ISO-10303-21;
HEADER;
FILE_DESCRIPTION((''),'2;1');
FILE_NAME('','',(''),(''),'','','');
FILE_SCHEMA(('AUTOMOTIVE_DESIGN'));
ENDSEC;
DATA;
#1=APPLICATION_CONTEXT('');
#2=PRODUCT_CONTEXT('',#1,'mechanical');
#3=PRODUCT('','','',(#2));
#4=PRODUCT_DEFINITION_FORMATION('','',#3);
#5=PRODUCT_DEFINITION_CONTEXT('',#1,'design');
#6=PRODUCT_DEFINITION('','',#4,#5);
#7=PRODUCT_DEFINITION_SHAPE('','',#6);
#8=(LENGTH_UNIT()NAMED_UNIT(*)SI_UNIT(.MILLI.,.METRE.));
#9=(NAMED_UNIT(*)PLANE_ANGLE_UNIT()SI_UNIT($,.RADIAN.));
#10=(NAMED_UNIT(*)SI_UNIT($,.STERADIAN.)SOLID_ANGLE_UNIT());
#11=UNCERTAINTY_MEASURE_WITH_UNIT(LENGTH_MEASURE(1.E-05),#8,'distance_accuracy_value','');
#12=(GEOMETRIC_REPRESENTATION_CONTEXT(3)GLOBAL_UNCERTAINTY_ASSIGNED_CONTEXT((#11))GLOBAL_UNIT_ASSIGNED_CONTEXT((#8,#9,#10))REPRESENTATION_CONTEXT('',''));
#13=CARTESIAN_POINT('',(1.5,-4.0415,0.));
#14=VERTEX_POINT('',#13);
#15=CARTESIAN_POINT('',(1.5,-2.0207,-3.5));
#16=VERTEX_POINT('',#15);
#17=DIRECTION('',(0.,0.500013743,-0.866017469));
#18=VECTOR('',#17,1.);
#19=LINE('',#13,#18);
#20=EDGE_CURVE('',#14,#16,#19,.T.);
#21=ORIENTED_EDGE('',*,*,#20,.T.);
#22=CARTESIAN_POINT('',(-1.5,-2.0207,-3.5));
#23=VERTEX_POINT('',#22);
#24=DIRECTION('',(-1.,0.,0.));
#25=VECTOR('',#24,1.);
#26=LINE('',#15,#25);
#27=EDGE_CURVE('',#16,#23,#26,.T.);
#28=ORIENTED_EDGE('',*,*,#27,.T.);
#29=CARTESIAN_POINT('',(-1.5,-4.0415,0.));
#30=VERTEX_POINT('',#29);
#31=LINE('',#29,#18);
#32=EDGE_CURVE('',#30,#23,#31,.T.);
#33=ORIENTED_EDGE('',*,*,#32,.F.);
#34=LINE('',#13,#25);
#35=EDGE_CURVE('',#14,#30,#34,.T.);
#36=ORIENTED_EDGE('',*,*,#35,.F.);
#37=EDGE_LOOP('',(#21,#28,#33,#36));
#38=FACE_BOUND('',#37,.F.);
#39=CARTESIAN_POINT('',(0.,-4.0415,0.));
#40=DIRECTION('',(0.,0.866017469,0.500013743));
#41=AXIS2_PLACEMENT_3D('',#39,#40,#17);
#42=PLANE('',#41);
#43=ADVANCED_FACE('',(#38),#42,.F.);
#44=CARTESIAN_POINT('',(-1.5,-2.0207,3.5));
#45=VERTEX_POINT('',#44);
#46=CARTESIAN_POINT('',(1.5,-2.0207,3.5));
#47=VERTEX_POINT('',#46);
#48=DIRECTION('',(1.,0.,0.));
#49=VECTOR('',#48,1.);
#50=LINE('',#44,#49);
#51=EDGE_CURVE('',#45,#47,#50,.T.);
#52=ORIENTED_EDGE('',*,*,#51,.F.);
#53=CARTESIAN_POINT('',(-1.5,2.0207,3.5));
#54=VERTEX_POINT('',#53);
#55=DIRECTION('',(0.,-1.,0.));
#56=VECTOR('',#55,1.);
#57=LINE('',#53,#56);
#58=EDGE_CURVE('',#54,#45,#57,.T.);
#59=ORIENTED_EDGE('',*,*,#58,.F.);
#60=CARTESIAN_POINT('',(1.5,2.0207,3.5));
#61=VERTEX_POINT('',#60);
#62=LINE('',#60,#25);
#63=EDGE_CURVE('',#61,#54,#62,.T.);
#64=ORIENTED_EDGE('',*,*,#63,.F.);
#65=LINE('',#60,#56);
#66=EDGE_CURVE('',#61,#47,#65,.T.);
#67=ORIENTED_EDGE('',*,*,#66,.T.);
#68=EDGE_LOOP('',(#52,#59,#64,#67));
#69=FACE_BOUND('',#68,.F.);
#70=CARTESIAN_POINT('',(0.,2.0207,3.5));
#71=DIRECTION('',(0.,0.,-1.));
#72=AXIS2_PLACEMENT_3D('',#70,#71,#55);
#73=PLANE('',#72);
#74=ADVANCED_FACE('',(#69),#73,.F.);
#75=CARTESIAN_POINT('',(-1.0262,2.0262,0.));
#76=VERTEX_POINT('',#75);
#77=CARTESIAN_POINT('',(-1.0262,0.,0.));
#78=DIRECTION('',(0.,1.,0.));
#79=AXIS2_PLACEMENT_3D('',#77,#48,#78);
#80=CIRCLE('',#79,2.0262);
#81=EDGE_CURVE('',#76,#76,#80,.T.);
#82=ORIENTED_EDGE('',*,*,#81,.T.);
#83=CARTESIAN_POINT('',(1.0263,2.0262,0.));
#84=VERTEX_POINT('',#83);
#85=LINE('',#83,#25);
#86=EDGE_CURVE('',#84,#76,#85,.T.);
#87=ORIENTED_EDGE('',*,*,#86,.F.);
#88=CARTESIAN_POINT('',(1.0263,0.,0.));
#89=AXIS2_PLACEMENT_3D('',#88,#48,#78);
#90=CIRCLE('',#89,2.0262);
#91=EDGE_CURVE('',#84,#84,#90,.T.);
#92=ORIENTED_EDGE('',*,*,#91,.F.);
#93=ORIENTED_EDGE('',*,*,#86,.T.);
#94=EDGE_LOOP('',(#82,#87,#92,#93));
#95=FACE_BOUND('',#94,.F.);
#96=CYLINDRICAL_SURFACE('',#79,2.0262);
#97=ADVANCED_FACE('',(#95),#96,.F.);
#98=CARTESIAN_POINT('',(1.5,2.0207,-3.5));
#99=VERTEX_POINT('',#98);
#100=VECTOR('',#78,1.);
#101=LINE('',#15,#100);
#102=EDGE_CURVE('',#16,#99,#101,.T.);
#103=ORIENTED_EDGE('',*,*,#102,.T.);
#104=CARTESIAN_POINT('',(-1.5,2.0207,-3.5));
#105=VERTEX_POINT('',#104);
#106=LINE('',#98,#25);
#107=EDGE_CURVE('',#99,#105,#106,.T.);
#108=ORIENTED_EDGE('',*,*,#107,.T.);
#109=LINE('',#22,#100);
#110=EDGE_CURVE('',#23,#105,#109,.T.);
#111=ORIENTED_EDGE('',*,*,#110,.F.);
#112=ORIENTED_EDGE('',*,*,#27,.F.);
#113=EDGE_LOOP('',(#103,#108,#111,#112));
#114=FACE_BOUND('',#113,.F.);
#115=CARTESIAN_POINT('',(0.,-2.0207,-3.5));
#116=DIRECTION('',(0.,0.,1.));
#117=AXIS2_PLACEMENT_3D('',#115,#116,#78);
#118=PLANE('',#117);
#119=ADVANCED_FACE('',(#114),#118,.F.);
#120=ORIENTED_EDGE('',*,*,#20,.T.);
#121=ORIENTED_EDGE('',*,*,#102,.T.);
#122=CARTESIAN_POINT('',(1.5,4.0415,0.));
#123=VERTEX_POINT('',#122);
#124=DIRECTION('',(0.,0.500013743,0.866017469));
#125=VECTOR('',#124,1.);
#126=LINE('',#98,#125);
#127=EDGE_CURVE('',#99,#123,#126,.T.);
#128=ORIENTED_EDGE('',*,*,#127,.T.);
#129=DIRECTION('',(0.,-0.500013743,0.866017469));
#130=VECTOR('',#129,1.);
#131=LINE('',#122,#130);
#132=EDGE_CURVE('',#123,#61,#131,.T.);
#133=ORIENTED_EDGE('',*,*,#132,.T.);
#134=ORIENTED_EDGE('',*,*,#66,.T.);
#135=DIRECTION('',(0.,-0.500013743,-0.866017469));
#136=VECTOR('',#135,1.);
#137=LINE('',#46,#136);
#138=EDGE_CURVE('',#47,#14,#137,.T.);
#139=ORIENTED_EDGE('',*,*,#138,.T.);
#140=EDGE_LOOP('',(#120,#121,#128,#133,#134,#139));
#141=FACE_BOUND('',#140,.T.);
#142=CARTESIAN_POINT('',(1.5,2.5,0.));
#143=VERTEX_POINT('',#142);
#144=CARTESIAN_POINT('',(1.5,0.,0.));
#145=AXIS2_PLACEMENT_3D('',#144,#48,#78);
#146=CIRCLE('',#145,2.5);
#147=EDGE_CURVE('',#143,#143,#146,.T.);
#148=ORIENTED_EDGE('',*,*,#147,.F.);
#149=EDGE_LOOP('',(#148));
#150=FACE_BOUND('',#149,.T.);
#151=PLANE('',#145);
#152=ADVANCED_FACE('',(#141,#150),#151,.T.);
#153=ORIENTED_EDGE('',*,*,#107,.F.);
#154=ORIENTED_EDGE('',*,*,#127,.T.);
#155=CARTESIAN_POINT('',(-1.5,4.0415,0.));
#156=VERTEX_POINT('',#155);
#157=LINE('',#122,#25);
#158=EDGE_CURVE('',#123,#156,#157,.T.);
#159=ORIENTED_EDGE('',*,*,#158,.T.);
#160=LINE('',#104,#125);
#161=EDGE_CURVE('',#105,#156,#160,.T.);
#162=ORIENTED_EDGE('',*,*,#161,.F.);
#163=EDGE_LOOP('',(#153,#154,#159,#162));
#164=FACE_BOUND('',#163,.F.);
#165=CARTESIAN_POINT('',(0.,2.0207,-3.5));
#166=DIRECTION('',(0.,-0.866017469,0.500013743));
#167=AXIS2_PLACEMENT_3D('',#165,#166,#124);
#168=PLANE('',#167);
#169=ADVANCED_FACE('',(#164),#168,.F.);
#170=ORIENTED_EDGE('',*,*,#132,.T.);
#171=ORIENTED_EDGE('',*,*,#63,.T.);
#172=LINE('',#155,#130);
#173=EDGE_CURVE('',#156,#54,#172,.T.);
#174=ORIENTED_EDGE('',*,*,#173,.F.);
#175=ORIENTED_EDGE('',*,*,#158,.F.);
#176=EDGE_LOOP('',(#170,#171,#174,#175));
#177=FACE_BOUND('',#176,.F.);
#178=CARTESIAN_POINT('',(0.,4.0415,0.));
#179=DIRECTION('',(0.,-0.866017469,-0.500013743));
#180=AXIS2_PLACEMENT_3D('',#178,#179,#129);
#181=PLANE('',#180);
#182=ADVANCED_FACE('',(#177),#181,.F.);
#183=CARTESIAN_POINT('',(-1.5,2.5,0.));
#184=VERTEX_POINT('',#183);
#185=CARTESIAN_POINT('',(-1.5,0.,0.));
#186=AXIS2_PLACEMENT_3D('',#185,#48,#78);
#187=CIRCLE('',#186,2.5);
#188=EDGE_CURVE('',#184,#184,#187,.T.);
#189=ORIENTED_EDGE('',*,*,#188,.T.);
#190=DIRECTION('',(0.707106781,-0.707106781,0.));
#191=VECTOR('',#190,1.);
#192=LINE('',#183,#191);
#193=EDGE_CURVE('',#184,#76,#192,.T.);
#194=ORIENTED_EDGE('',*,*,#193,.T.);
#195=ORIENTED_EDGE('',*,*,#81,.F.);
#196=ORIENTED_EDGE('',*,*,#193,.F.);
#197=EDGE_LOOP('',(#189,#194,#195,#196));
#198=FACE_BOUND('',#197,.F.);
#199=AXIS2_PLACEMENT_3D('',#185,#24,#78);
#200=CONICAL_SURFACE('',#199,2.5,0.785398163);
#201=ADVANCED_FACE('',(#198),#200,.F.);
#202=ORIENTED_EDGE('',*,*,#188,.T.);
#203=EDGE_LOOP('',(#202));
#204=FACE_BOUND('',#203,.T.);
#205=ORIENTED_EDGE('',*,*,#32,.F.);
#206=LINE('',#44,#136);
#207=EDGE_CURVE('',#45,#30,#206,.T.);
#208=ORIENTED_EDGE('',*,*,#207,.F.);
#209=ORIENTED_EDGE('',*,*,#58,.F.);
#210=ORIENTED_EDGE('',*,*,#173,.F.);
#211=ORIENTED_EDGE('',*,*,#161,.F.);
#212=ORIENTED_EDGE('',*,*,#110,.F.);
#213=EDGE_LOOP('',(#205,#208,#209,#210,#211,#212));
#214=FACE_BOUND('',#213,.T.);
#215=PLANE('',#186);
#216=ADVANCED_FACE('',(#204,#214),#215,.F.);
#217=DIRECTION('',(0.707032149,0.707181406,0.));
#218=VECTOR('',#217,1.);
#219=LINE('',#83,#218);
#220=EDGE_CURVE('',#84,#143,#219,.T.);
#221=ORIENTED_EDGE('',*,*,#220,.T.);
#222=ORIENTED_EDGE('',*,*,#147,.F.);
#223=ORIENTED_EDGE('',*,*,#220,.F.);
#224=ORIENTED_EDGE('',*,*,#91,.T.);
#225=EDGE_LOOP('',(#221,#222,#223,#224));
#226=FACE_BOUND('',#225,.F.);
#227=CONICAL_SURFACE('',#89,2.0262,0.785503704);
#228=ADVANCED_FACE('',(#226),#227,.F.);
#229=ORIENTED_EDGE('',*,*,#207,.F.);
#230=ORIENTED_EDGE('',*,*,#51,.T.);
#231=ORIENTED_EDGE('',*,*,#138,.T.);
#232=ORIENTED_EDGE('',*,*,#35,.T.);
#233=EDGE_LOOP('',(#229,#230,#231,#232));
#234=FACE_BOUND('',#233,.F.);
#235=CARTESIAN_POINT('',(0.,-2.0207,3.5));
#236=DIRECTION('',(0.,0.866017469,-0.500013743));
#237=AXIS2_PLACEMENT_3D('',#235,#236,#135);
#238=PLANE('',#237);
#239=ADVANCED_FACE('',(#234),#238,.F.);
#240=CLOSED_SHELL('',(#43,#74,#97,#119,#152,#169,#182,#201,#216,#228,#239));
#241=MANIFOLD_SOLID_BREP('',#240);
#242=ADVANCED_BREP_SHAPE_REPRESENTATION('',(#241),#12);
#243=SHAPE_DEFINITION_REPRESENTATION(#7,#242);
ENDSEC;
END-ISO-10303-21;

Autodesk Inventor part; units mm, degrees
sketch "Sketch_5" plane through (0, 0, 0) normal (0, 0, 1) x (1, 0, 0)
  line L0 (1.5, 0) -> (-1.5, 0)
  line L1 (-1.5, 0) -> (-1.5, 4.375)
  line L2 (-1.5, 4.375) -> (-1.1031, 5.0625)
  line L3 (-1.1031, 5.0625) -> (1.1031, 5.0625)
  line L4 (1.1031, 5.0625) -> (1.5, 4.375)
  line L5 (1.5, 4.375) -> (1.5, 0)
  line L6 (1.5, 0) -> (-1.5, 0)
  dimension "d8" = 3
revolve "Revolution1" add sketch "Sketch_5" angle 360 about axis through (1.5, 0, 0) along (1, 0, 0)
sketch "Sketch_6" plane through (0, 0, 0) normal (0, 0, 1) x (1, 0, 0)
  line L0 (1.5, 0) -> (-1.5, 0)
  line L1 (-1.5, 0) -> (-1.5, 2.5)
  line L2 (-1.5, 2.5) -> (-1.0262, 2.0262)
  line L3 (-1.0262, 2.0262) -> (1.0263, 2.0262)
  line L4 (1.0263, 2.0262) -> (1.5, 2.5)
  line L5 (1.5, 2.5) -> (1.5, 0)
  line L6 (1.5, 0) -> (-1.5, 0)
  line L7 (0, 2.0262) -> (0, 0)
  line L8 (0, 0) -> (0, 9.277)
  dimension "d10" = 3
revolve "Revolution2" cut sketch "Sketch_6" angle 360 about axis through (1.5, 0, 0) along (1, 0, 0)
thread "Thread1" size "M4x0.7" class "6H" standard "ISO Metric profile" full length
sketch "Sketch_7" plane through (0, 0, 0) normal (1, 0, 0) x (0, 1, 0)
  line L0 (-7, 7) -> (-7, -7)
  line L1 (-7, -7) -> (7, -7)
  line L2 (7, -7) -> (7, 7)
  line L3 (7, 7) -> (-7, 7)
  line L4 (-2.0207, 3.5) -> (-4.0415, 0)
  line L5 (-4.0415, 0) -> (-2.0207, -3.5)
  line L6 (-2.0207, -3.5) -> (2.0207, -3.5)
  line L7 (2.0207, -3.5) -> (4.0415, 0)
  line L8 (4.0415, 0) -> (2.0207, 3.5)
  line L9 (2.0207, 3.5) -> (-2.0207, 3.5)
extrude "Extrusion1" cut sketch "Sketch_7" along normal mid plane 3
ref_plane "cp_XY" through (0, 0, 0) normal (1, 0, 0) x (0, 0, -1)
ref_plane "cp_YZ" through (0, 0, 0) normal (0, 0, -1) x (0, 1, 0)
ref_plane "cp_ZX" through (0, 0, 0) normal (0, 1, 0) x (1, 0, 0)
ref_plane "nut_to_screw_XY" through (1.2, 0, 0) normal (1, 0, 0) x (0, 0, -1)
ref_plane "nut_to_screw_YZ" through (1.2, 0, 0) normal (0, 0, -1) x (0, 1, 0)
ref_plane "nut_to_screw_ZX" through (1.2, 0, 0) normal (0, 1, 0) x (1, 0, 0)
properties part number "SKNTR4"
